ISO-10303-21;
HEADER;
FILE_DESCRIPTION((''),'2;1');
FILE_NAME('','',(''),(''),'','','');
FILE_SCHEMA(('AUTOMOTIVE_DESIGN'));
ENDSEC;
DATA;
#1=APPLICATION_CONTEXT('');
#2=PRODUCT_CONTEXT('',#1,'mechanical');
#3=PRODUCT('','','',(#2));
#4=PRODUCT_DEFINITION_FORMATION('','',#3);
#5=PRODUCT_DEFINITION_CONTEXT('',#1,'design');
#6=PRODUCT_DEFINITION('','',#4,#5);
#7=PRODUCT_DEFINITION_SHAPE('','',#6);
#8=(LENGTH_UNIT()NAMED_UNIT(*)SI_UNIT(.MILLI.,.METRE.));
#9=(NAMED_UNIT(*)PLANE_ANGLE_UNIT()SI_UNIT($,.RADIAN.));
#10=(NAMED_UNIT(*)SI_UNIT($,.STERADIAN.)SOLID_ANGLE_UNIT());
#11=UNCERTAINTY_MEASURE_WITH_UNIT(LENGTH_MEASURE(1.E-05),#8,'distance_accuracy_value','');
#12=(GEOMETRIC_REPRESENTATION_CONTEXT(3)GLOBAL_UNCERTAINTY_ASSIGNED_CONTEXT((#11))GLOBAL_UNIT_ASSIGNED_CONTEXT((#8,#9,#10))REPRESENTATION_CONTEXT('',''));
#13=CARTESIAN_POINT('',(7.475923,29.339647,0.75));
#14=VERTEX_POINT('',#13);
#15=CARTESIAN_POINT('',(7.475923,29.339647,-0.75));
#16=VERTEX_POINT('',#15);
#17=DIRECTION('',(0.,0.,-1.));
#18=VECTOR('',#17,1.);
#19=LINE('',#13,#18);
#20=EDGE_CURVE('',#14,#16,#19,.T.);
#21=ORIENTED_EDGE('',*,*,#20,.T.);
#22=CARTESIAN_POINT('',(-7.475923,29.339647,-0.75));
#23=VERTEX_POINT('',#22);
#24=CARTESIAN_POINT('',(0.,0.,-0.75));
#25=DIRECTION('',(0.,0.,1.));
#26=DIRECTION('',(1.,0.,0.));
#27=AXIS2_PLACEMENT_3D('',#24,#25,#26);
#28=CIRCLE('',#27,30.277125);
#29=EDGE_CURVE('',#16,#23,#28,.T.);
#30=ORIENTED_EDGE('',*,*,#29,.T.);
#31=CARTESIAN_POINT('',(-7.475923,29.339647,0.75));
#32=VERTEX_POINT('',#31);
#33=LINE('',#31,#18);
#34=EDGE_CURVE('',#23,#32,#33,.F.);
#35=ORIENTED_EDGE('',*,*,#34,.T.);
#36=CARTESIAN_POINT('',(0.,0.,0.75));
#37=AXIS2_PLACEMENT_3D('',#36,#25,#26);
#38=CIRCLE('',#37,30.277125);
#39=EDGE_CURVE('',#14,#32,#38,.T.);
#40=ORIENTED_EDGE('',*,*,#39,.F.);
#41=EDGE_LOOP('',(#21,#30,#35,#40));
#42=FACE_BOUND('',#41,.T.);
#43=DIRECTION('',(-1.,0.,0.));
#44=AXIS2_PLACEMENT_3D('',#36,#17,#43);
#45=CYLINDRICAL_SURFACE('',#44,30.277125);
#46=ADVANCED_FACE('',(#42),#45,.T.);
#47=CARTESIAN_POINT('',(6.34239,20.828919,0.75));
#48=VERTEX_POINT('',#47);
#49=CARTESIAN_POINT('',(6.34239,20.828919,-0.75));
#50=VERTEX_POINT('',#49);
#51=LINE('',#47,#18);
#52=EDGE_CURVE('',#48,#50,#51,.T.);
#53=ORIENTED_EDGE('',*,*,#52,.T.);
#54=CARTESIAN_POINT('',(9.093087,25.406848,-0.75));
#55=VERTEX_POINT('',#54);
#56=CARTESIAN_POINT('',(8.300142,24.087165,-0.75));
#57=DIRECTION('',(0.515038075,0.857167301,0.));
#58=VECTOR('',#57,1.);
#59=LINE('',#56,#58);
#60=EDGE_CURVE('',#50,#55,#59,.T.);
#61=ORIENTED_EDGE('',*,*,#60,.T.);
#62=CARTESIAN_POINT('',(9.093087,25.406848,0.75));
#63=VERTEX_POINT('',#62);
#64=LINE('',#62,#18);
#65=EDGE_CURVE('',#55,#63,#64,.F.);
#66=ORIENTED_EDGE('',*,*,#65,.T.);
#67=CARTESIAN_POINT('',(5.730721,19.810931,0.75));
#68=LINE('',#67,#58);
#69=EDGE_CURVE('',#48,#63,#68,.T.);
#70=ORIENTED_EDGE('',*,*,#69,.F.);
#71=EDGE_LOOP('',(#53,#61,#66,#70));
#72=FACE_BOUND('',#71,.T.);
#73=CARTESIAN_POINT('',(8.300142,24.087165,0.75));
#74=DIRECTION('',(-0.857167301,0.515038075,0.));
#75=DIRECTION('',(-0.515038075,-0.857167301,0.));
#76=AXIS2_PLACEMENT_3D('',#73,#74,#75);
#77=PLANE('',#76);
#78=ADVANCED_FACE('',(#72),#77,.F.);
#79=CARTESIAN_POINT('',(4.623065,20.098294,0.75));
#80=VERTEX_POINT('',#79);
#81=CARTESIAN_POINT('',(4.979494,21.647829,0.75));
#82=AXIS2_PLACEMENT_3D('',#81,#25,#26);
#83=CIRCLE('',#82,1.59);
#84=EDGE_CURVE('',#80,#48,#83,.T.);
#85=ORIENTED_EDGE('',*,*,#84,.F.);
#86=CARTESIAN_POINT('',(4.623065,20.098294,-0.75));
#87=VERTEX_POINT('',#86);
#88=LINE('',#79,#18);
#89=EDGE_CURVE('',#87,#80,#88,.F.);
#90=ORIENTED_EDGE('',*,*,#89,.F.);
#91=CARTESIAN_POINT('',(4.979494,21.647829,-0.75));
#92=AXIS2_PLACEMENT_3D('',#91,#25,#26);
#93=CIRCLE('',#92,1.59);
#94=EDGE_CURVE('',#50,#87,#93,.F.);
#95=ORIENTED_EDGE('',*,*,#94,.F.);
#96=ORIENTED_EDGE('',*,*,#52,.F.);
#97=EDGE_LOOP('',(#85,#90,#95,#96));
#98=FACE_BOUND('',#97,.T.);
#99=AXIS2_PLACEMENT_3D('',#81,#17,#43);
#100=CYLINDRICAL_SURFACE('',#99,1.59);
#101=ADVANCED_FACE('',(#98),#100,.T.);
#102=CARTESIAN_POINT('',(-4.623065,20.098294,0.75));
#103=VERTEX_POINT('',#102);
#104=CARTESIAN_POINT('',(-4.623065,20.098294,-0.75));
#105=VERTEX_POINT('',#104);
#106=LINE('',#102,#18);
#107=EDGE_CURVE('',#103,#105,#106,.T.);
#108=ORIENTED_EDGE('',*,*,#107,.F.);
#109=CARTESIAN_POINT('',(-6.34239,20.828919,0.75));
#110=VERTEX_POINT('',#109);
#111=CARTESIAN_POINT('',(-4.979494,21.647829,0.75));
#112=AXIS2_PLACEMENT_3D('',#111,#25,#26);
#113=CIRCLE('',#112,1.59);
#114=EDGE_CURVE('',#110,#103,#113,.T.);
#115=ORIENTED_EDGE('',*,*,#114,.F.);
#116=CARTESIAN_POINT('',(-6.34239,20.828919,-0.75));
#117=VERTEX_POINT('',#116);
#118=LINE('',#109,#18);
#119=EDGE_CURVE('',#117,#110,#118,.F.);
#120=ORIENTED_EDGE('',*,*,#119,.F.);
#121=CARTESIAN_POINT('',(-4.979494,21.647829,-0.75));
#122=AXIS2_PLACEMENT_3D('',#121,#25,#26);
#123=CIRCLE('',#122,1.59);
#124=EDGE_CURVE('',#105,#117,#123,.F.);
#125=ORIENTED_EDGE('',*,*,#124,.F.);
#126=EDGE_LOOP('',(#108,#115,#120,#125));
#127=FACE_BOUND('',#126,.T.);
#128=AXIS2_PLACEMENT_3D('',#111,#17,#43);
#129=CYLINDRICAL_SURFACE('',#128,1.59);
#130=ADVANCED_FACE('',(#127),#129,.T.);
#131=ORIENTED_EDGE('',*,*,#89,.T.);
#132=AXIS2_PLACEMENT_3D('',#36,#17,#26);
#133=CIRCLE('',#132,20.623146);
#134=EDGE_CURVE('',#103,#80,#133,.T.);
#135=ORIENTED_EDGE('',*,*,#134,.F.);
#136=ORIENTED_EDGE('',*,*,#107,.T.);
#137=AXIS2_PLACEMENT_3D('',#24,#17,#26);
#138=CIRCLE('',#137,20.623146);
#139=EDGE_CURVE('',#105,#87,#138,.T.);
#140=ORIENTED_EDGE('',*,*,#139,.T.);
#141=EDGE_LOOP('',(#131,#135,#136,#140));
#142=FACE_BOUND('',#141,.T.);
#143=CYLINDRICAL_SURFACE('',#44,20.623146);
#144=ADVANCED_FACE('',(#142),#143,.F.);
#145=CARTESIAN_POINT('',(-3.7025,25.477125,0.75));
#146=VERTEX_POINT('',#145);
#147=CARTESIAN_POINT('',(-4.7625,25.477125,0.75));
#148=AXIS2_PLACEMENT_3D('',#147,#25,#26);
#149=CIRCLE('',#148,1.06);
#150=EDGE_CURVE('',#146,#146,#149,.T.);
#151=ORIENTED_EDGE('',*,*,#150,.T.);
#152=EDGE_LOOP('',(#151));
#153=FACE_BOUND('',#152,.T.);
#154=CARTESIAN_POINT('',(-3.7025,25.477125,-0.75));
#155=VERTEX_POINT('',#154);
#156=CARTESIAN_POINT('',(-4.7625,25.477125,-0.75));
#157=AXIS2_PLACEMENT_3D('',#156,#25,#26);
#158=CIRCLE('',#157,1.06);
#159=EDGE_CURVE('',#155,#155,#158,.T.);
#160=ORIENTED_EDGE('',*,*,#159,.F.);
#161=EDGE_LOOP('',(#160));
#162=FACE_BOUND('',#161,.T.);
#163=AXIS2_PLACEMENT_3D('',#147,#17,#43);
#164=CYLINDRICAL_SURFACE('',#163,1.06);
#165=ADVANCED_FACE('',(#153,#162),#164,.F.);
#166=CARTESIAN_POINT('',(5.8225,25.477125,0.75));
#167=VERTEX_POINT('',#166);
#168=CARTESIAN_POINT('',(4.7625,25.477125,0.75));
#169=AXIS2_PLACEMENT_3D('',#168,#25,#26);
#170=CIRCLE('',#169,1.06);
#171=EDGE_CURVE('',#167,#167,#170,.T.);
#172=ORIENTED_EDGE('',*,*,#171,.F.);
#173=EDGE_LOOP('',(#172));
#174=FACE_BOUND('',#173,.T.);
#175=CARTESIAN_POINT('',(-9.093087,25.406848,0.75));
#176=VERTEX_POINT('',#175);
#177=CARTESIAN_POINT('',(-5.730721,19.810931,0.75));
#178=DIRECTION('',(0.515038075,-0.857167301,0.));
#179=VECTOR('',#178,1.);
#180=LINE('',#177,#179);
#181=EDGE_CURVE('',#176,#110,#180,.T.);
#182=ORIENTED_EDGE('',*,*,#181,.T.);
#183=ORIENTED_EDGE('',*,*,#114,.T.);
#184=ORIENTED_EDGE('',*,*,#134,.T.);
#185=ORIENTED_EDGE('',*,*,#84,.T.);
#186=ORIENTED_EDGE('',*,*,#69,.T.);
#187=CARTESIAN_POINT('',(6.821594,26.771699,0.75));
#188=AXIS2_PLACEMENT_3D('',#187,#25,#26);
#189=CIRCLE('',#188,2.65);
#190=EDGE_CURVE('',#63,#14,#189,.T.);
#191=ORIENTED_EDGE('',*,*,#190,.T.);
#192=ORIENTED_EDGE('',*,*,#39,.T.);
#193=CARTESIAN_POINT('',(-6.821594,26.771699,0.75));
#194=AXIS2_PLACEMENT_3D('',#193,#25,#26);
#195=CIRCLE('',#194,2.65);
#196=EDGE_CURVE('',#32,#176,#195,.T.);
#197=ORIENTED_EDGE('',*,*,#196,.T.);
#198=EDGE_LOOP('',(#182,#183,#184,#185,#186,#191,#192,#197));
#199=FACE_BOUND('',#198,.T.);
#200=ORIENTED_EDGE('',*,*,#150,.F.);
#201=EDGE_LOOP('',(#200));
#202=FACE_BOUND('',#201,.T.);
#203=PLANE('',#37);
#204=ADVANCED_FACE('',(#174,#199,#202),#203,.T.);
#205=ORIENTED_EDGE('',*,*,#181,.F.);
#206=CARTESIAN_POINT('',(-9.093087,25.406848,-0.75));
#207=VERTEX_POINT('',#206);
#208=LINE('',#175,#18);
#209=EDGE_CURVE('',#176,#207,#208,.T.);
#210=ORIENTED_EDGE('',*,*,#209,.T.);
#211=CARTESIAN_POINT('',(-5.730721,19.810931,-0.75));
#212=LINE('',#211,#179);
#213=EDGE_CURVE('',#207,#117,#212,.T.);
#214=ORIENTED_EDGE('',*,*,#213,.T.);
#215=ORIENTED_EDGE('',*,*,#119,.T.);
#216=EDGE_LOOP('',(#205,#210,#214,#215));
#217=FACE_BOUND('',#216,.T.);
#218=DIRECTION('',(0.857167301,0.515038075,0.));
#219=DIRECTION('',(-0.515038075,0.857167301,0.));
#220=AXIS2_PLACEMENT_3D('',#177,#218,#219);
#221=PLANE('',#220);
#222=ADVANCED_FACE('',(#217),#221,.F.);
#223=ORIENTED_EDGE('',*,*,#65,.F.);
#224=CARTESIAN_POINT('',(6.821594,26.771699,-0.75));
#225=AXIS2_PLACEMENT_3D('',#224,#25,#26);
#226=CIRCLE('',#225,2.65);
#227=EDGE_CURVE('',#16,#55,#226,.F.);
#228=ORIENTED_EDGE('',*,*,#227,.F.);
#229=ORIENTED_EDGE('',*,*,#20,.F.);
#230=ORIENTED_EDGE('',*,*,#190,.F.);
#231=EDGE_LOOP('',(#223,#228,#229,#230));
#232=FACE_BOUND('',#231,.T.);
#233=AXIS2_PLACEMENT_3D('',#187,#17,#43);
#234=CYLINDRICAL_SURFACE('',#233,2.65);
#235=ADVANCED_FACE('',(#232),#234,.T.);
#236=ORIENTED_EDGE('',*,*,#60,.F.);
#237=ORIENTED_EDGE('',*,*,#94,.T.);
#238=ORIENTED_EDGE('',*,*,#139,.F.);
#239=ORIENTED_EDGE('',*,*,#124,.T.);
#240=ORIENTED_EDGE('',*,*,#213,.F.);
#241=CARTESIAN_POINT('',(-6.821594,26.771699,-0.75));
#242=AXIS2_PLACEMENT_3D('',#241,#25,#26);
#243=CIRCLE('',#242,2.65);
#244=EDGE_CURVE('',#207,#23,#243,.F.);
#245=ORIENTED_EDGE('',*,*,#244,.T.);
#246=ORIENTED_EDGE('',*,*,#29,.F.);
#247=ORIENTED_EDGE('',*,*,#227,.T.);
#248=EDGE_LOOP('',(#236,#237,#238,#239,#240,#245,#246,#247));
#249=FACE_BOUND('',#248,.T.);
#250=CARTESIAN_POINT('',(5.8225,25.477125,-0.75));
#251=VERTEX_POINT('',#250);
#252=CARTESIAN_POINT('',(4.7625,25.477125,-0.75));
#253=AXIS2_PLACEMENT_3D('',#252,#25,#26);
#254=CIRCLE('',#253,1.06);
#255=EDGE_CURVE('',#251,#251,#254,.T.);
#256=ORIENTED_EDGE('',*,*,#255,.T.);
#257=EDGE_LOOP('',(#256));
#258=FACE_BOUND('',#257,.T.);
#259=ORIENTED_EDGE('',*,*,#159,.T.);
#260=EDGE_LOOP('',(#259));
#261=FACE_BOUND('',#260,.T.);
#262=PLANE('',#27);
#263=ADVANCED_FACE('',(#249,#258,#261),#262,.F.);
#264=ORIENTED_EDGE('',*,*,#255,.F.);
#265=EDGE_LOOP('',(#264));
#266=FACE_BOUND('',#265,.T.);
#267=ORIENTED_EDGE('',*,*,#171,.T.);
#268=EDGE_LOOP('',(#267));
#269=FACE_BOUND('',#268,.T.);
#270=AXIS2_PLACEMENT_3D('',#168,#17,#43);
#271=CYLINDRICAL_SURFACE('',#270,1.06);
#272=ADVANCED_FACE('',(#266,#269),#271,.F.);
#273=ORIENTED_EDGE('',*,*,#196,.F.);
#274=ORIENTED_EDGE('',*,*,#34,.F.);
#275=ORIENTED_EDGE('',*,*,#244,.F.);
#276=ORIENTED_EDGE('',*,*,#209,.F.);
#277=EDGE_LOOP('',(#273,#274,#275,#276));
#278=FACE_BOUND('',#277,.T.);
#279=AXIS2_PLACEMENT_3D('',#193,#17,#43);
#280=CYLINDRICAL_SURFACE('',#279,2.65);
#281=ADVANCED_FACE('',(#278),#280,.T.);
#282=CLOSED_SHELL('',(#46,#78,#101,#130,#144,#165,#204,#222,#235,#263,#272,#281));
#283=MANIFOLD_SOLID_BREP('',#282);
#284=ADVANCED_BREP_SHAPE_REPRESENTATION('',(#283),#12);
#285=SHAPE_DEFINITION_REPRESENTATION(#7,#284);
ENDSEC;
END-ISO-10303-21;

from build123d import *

# Parameters (mm, degrees)
SKETCH_2_R      = 1.06
EXTRUDE_1_DEPTH = 0.75
FILLET_1_R      = 2.65
FILLET_2_R      = 1.59


with BuildPart() as part:
    # 草图2 → 拉伸1 (new, symmetric)
    with BuildSketch(Plane.XY):
        with BuildLine():
            Line((5.730721037, 19.810931144), (8.300141741, 24.087165303))
            Line((8.300141741, 24.087165303), (10.818460752, 28.278351963))
            ThreePointArc((10.818460752, 28.278351963), (0, 30.277124745), (-10.818460752, 28.278351963))
            Line((-10.818460752, 28.278351963), (-5.730721037, 19.810931144))
            ThreePointArc((-5.730721037, 19.810931144), (0, 20.623146132), (5.730721037, 19.810931144))
        make_face()
        with Locations((-4.7625, 25.477124745)):
            Circle(SKETCH_2_R, mode=Mode.SUBTRACT)
        with Locations((4.7625, 25.477124745)):
            Circle(SKETCH_2_R, mode=Mode.SUBTRACT)
    extrude(amount=EXTRUDE_1_DEPTH, both=True)

    # 圆角1
    fillet_1_edges = [part.edges().sort_by_distance(p)[0] for p in [
        (-10.818460752, 28.278351963, 0),
        (10.818460752, 28.278351963, 0),
    ]]
    fillet(fillet_1_edges, radius=FILLET_1_R)

    # 圆角2
    fillet_2_edges = [part.edges().sort_by_distance(p)[0] for p in [
        (-5.730721037, 19.810931144, 0),
        (5.730721037, 19.810931144, 0),
    ]]
    fillet(fillet_2_edges, radius=FILLET_2_R)


solid = part.part
